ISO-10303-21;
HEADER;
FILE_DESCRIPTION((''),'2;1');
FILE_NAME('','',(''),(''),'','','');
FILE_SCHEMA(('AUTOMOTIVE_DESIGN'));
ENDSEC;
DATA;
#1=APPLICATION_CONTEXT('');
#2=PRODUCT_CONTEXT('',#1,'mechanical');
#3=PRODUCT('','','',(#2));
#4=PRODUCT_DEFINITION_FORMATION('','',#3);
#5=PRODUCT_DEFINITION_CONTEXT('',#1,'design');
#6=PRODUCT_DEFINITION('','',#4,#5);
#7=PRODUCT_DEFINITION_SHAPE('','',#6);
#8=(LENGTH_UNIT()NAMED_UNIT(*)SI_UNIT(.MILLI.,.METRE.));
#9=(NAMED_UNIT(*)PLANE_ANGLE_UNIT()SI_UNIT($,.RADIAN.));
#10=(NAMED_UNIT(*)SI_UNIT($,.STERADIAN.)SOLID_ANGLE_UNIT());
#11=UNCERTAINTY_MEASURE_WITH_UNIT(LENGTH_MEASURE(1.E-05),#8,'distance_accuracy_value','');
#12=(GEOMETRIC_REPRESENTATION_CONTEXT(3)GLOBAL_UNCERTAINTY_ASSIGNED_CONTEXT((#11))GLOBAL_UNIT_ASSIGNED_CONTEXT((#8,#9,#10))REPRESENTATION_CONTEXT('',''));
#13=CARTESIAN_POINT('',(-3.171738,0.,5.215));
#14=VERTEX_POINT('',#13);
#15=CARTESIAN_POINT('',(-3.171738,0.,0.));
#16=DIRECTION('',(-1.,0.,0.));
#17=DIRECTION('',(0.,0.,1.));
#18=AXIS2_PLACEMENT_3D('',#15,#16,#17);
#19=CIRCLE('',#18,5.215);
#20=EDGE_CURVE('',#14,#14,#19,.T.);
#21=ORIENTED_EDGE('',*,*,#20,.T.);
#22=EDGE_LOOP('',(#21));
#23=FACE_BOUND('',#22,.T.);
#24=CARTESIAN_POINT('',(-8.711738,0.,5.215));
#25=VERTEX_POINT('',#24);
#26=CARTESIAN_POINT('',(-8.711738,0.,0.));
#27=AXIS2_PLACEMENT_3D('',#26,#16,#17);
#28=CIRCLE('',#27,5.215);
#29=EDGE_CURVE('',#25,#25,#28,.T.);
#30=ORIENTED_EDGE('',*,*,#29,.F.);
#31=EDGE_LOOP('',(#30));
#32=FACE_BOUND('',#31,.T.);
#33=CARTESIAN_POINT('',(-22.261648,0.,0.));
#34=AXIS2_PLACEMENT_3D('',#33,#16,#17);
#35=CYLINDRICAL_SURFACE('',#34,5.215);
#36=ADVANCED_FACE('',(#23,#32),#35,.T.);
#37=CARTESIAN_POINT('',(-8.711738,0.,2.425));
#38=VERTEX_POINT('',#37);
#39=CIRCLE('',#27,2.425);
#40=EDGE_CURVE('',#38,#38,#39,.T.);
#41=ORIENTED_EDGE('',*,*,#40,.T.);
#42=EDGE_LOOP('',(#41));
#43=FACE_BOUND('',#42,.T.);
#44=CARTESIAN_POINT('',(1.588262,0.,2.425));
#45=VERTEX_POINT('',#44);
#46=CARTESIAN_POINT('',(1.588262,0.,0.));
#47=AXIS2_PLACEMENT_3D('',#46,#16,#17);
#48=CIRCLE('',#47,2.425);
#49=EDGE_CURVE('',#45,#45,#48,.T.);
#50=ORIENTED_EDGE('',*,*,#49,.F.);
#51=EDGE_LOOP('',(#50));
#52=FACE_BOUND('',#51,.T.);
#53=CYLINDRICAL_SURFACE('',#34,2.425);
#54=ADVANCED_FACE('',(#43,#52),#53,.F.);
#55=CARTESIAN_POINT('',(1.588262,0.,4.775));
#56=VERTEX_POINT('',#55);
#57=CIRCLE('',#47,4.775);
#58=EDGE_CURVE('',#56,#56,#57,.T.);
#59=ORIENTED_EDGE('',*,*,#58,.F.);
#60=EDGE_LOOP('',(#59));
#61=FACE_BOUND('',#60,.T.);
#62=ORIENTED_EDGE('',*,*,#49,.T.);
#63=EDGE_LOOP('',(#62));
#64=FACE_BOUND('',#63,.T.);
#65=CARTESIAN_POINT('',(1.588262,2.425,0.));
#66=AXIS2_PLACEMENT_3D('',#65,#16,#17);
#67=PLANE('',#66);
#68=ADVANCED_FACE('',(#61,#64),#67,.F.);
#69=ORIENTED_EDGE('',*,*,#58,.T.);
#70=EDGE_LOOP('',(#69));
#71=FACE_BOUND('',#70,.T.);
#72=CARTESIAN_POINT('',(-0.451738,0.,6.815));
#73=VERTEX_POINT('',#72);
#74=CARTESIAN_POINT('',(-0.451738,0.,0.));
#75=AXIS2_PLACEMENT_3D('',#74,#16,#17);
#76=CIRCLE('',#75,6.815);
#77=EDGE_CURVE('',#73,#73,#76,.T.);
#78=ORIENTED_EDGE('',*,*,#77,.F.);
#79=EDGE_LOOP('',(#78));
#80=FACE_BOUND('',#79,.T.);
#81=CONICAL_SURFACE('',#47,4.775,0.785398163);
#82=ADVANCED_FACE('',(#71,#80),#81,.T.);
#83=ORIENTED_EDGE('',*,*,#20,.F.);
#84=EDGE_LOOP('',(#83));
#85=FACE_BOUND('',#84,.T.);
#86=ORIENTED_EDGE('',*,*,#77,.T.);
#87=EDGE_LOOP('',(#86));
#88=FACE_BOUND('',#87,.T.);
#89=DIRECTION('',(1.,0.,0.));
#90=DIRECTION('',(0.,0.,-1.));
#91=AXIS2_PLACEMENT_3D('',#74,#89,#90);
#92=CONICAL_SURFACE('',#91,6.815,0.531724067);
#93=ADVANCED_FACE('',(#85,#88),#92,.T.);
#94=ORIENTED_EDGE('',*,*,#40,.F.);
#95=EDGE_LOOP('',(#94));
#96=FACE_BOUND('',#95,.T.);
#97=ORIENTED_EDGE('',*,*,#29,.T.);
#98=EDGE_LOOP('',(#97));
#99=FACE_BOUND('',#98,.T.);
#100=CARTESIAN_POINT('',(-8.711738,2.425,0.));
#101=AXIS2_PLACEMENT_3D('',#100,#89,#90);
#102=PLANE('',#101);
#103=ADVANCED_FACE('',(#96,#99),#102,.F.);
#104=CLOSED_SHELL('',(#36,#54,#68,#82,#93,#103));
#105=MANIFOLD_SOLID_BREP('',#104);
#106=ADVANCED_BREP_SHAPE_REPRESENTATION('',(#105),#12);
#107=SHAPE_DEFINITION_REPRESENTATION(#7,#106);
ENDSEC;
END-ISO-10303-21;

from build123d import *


with BuildPart() as part:
    # Sketch1 → Revolve1 (revolve)
    with BuildSketch(Plane.XY, mode=Mode.PRIVATE) as revolve1_sk:
        Polygon((1.588261506, 4.775), (-0.451738494, 6.815), (-3.171738494, 5.215), (-8.711738494, 5.215), (-8.711738494, 2.425), (1.588261506, 2.425), align=None)
    revolve(revolve1_sk.sketch.rotate(Axis((-22.261648433, 0, 0), (1, 0, 0)), 90), axis=Axis((-22.261648433, 0, 0), (1, 0, 0)))


solid = part.part
